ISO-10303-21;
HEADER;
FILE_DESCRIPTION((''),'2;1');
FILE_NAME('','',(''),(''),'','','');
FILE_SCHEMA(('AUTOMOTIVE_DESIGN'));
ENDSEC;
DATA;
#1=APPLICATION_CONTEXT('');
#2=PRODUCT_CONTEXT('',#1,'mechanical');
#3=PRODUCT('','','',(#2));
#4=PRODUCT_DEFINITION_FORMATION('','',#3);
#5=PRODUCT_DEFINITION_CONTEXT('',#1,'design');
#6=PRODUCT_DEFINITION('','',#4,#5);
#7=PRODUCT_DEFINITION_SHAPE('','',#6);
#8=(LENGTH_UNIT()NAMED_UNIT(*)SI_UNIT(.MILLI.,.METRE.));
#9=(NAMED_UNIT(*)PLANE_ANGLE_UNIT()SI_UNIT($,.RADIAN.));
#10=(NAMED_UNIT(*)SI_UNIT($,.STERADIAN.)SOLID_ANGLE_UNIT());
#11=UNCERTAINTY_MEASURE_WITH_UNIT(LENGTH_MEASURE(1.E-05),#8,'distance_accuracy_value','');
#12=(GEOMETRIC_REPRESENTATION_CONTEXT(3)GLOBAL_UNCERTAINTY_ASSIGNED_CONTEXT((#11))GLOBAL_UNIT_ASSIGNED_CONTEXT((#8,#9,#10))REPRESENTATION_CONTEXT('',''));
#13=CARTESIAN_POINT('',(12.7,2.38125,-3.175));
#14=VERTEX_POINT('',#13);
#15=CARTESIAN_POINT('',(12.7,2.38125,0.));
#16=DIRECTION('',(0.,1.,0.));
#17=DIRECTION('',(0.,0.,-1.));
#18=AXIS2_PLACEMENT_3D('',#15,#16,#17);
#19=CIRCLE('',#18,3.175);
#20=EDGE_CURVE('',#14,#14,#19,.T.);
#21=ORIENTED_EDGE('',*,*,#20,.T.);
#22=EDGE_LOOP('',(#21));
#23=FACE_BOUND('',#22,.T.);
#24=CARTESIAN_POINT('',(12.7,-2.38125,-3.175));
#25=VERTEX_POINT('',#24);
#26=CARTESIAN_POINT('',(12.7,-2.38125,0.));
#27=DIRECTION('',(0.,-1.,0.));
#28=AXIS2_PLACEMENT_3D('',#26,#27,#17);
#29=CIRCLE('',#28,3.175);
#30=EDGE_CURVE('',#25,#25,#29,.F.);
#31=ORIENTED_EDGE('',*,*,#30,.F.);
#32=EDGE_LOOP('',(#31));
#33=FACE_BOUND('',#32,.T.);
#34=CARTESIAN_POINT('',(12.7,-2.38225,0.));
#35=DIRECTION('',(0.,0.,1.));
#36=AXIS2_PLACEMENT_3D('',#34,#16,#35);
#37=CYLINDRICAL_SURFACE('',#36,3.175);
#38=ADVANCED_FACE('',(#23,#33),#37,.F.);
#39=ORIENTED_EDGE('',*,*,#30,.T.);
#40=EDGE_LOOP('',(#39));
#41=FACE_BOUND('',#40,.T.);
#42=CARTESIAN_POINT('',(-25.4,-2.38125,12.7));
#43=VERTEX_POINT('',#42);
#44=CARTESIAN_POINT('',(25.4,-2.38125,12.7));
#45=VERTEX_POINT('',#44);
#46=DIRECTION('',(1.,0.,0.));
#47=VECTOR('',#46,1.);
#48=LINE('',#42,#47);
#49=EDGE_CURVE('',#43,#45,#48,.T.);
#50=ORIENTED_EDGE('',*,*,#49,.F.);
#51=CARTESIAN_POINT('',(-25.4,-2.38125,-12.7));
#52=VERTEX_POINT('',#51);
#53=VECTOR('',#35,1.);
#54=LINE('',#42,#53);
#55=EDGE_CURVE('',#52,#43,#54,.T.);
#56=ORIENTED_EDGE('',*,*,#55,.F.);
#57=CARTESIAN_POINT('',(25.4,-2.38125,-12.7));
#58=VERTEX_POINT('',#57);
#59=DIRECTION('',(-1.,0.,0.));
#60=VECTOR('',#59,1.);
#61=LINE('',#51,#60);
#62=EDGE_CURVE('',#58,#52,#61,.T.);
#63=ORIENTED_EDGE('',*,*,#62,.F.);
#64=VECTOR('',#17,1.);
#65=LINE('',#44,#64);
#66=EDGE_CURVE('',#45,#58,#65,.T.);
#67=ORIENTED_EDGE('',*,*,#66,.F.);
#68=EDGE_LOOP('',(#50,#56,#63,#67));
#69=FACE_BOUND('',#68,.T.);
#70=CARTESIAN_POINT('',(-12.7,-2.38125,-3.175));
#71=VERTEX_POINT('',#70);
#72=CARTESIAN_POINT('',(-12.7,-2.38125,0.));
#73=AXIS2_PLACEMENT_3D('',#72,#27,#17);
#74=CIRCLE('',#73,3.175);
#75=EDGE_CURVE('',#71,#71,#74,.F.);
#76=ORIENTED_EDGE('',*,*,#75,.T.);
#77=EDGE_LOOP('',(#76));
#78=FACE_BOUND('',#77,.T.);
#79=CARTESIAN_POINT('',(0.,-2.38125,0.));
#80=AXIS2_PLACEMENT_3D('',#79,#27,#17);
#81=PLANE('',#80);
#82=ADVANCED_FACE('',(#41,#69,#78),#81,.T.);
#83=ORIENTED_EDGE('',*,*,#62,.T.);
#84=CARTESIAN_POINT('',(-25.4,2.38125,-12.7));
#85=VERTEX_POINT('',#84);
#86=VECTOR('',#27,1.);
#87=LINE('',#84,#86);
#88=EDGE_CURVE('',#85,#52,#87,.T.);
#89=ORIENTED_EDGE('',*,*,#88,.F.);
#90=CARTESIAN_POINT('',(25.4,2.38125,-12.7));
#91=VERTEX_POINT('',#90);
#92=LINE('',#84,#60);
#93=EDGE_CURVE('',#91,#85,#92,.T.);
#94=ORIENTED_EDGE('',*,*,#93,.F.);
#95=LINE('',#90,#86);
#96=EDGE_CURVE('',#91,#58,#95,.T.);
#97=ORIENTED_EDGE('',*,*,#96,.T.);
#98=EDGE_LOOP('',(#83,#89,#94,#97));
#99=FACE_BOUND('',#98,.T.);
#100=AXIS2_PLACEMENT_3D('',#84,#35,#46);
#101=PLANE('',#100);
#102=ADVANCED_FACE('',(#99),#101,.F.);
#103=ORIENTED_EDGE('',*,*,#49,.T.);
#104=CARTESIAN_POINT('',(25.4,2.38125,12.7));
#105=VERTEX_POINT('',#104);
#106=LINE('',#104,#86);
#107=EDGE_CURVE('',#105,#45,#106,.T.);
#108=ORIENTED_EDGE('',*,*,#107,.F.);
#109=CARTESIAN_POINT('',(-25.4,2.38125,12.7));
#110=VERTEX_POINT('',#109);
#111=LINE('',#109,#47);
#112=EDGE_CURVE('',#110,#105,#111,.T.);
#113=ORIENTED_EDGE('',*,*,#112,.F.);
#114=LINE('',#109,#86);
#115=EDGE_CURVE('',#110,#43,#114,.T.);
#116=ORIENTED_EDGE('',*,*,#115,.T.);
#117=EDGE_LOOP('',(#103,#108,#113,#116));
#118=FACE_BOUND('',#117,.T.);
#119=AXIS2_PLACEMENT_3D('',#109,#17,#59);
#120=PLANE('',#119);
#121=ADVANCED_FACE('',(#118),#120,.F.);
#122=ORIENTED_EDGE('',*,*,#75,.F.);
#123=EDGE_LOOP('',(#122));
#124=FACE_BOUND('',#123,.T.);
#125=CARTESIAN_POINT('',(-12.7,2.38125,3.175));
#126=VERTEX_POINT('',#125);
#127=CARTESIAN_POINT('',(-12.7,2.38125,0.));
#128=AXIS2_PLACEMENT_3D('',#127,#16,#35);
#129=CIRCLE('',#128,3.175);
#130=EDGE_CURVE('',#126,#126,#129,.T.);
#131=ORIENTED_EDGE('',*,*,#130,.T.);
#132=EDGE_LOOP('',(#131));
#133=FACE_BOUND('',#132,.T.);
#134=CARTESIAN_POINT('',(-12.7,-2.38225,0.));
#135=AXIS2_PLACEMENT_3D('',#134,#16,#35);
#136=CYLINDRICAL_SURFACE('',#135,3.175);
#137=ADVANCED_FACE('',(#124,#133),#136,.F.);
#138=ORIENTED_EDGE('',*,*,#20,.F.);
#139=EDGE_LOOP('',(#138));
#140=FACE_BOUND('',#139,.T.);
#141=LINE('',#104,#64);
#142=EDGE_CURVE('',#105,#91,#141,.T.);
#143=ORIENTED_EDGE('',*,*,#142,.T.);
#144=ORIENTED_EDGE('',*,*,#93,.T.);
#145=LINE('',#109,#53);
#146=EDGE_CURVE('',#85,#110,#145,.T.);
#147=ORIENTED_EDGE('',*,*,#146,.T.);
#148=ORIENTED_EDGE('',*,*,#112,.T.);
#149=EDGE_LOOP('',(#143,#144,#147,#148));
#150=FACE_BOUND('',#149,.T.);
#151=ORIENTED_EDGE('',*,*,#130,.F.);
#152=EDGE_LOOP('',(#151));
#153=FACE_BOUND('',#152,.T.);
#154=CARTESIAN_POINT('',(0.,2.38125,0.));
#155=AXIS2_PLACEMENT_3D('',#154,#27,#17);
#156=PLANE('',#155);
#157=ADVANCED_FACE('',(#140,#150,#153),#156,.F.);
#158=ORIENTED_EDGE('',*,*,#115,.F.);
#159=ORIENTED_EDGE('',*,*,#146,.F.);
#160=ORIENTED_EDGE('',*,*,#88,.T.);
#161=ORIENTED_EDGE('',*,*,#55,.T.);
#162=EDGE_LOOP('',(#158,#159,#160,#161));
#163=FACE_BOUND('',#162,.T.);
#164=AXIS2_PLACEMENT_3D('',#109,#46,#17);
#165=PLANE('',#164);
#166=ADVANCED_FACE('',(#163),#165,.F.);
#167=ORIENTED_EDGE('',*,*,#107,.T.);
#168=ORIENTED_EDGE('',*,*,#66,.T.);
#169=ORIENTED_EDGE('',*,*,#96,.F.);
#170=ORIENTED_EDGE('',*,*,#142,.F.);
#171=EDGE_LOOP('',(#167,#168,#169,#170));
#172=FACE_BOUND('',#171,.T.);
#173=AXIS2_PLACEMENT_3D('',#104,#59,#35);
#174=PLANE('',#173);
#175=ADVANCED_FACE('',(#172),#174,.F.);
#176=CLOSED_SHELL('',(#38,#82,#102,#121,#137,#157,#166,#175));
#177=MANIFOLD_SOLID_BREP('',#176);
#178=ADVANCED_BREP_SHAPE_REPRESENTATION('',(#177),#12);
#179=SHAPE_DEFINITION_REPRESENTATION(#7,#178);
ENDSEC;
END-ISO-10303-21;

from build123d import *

# Parameters (mm, degrees)
SKETCH1_W           = 50.8
SKETCH1_H           = 25.4
BOSS_EXTRUDE1_DEPTH = 2.38125
CUT_EXTRUDE1_REACH  = 6.763
SKETCH2_R           = 3.175


with BuildPart() as part:
    # Sketch1 → Boss-Extrude1 (new body, symmetric)
    with BuildSketch(Plane(origin=(0, 0, 0), x_dir=(1, 0, 0), z_dir=(0, 1, 0))):
        Rectangle(SKETCH1_W, SKETCH1_H)
    extrude(amount=BOSS_EXTRUDE1_DEPTH, both=True)

    # Sketch2 → Cut-Extrude1 (cut, up to next)
    with BuildSketch(Plane(origin=(0, 2.38125, 0), x_dir=(1, 0, 0), z_dir=(0, 1, 0)), mode=Mode.PRIVATE) as cut_extrude1_sk1:
        with Locations((-12.7, 0)):
            Circle(SKETCH2_R)
    cut_extrude1_tool1 = extrude(cut_extrude1_sk1.sketch, amount=-CUT_EXTRUDE1_REACH, mode=Mode.PRIVATE) & part.part
    add(cut_extrude1_tool1.solids().sort_by_distance((-12.7, 2.38125, 0))[0], mode=Mode.SUBTRACT)
    # Sketch2 → Cut-Extrude1 (cut, up to next)
    with BuildSketch(Plane(origin=(0, 2.38125, 0), x_dir=(1, 0, 0), z_dir=(0, 1, 0)), mode=Mode.PRIVATE) as cut_extrude1_sk2:
        with Locations((12.7, 0)):
            Circle(SKETCH2_R)
    cut_extrude1_tool2 = extrude(cut_extrude1_sk2.sketch, amount=-CUT_EXTRUDE1_REACH, mode=Mode.PRIVATE) & part.part
    add(cut_extrude1_tool2.solids().sort_by_distance((12.7, 2.38125, 0))[0], mode=Mode.SUBTRACT)


solid = part.part
